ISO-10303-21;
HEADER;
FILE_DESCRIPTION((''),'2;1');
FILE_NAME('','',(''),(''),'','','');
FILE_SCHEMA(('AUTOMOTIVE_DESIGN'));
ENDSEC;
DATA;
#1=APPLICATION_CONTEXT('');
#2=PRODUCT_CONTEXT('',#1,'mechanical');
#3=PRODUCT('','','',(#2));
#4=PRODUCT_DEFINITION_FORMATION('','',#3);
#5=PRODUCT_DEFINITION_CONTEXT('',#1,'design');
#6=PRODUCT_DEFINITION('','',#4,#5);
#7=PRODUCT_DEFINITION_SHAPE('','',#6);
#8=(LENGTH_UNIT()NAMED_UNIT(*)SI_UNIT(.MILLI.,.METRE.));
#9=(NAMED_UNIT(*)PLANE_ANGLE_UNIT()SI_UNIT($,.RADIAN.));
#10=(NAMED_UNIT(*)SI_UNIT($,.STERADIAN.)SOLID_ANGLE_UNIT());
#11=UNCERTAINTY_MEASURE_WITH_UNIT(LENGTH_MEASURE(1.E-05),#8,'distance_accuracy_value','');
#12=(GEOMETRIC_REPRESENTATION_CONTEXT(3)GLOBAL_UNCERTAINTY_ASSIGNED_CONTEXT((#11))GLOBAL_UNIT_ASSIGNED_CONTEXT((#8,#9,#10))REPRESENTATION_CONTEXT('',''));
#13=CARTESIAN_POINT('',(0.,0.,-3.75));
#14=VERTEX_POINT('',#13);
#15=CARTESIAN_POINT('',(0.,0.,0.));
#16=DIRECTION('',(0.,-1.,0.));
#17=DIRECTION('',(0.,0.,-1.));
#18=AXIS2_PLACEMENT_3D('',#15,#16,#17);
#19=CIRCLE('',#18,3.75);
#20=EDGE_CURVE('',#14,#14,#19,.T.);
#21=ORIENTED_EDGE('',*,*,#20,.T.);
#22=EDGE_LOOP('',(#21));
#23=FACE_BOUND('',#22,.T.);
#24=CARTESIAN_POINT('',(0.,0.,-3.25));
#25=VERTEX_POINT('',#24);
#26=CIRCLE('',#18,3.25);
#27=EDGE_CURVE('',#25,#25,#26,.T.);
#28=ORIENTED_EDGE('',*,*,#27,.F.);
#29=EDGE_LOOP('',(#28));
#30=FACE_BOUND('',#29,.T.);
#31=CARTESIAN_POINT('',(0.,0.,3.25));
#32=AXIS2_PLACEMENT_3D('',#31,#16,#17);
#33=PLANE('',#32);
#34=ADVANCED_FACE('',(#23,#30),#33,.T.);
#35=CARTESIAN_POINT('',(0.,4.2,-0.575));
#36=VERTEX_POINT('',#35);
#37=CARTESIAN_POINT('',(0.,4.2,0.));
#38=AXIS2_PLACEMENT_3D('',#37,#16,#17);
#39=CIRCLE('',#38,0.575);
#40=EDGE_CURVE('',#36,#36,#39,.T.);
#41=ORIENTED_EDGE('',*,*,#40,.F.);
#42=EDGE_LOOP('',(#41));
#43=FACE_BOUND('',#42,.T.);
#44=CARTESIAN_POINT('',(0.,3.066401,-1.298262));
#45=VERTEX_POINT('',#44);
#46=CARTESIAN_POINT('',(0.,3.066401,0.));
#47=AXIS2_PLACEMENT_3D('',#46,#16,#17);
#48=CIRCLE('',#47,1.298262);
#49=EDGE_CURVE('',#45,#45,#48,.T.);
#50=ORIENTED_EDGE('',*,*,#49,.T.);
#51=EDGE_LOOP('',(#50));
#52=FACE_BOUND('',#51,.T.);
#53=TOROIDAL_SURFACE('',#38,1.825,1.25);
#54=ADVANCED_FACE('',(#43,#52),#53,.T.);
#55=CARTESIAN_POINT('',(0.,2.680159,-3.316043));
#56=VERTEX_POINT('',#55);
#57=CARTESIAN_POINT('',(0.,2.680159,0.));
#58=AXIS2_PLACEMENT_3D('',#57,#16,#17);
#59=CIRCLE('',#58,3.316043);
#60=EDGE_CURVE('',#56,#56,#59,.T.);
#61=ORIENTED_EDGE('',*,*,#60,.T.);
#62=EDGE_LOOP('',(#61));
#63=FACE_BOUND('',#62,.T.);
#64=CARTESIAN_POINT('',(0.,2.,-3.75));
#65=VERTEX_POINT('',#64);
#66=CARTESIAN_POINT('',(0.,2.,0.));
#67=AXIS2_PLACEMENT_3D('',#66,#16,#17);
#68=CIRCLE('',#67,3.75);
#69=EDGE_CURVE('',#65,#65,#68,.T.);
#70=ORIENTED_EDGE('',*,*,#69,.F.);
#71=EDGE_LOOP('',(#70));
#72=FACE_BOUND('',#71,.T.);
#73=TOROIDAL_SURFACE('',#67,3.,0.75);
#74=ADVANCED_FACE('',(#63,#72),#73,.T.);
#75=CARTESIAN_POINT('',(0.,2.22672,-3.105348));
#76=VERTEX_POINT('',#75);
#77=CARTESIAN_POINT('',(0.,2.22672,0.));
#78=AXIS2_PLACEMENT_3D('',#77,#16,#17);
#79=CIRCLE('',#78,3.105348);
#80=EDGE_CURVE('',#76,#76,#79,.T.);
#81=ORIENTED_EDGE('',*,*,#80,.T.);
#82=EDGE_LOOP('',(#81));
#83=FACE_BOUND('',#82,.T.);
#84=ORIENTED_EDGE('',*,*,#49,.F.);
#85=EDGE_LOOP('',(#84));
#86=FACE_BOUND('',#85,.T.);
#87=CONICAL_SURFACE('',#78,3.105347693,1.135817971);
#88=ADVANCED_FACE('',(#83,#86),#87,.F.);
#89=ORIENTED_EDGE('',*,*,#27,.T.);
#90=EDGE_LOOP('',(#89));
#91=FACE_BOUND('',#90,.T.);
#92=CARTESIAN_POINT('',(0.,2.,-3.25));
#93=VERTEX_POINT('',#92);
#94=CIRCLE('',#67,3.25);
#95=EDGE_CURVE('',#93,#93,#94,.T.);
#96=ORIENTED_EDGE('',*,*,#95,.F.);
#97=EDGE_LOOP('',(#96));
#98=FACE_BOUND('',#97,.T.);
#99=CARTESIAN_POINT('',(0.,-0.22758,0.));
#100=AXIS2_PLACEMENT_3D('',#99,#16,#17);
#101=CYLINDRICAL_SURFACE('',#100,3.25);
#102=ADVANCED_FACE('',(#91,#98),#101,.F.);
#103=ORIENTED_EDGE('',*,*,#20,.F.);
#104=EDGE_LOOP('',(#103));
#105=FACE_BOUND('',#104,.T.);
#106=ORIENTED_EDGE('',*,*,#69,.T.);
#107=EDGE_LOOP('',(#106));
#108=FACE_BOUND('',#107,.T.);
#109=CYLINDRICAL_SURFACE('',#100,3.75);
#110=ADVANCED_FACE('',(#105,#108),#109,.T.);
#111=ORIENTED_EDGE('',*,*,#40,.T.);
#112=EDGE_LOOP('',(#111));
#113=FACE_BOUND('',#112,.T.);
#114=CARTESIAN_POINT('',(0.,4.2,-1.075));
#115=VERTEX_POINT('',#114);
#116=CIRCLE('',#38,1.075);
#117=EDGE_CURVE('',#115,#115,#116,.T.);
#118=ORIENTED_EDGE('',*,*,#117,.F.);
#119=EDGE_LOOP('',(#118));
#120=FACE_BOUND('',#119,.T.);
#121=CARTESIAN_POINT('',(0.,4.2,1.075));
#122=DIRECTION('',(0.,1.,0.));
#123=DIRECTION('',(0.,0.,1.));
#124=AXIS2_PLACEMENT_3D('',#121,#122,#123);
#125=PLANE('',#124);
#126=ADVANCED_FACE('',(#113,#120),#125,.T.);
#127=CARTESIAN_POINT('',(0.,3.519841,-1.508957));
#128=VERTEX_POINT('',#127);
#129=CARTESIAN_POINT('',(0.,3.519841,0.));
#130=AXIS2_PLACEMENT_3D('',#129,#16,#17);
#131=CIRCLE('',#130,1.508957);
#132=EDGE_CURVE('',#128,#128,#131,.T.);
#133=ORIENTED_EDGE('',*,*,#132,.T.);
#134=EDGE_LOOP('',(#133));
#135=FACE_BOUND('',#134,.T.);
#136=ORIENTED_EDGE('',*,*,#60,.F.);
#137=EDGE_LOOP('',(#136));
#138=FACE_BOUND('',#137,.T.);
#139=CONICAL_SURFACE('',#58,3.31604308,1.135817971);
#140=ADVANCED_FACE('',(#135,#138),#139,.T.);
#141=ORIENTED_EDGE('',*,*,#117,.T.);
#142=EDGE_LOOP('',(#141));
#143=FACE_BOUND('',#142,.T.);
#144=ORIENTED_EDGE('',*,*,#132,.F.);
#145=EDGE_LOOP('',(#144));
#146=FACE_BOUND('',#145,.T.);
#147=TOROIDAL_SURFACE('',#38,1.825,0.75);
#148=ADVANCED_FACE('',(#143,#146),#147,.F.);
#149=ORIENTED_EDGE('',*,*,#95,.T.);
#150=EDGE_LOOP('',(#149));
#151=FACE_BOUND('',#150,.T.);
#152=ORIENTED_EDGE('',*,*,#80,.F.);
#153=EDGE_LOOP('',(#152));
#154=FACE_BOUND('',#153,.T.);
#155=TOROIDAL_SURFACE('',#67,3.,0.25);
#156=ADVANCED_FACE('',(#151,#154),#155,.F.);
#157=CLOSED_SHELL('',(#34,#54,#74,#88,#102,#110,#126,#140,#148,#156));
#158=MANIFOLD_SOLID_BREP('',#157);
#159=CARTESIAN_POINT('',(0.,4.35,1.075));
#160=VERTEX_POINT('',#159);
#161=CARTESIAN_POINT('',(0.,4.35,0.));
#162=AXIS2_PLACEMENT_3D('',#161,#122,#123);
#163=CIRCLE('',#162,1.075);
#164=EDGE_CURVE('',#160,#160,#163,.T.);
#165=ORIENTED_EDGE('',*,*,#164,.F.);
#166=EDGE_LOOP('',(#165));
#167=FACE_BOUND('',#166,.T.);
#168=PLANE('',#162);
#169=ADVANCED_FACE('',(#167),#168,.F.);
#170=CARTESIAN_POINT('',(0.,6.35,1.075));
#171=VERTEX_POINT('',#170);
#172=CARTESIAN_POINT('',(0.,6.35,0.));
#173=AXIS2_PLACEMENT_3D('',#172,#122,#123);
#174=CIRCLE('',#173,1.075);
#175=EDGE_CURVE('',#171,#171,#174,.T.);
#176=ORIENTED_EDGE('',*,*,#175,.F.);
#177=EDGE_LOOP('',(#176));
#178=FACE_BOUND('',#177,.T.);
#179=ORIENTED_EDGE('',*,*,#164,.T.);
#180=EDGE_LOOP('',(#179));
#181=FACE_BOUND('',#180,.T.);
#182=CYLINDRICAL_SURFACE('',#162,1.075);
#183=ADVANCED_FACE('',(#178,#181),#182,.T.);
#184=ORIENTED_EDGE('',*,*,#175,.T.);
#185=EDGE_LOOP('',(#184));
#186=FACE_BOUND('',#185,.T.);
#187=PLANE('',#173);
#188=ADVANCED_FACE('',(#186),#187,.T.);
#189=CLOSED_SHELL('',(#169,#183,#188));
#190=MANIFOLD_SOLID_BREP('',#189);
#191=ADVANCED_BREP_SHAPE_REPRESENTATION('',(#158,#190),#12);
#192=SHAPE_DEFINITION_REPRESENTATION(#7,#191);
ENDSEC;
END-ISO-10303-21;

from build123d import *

# Parameters (mm, degrees)
SKETCH2_R           = 1.075
BOSS_EXTRUDE2_DEPTH = 2


with BuildPart() as part:
    # Sketch6 → Revolve-Thin2 (revolve)
    with BuildSketch(Plane(origin=(0, 0, 0), x_dir=(0, 0, -1), z_dir=(1, 0, 0))):
        with BuildLine():
            Line((-3.75, 0), (-3.75, 2))
            ThreePointArc((-3.75, 2), (-3.632270634, 2.403402832), (-3.31604308, 2.680159372))
            Line((-3.31604308, 2.680159372), (-1.50895692, 3.519840628))
            ThreePointArc((-1.50895692, 3.519840628), (-1.192729366, 3.796597168), (-1.075, 4.2))
            Line((-1.075, 4.2), (-0.575, 4.2))
            ThreePointArc((-0.575, 4.2), (-0.77121561, 3.527661946), (-1.298261533, 3.066401046))
            Line((-1.298261533, 3.066401046), (-3.105347693, 2.226719791))
            ThreePointArc((-3.105347693, 2.226719791), (-3.210756878, 2.134467611), (-3.25, 2))
            Line((-3.25, 2), (-3.25, 0))
            Line((-3.25, 0), (-3.75, 0))
        make_face()
    revolve(axis=Axis((0, -0.227579974, 0), (0, 1, 0)))


with BuildPart() as body_2:
    # Sketch2 → Boss-Extrude2 (new body)
    with BuildSketch(Plane(origin=(0, 6.35, 0), x_dir=(1, 0, 0), z_dir=(0, 1, 0))):
        Circle(SKETCH2_R)
    extrude(amount=-BOSS_EXTRUDE2_DEPTH)


solid = Compound([part.part, body_2.part])
